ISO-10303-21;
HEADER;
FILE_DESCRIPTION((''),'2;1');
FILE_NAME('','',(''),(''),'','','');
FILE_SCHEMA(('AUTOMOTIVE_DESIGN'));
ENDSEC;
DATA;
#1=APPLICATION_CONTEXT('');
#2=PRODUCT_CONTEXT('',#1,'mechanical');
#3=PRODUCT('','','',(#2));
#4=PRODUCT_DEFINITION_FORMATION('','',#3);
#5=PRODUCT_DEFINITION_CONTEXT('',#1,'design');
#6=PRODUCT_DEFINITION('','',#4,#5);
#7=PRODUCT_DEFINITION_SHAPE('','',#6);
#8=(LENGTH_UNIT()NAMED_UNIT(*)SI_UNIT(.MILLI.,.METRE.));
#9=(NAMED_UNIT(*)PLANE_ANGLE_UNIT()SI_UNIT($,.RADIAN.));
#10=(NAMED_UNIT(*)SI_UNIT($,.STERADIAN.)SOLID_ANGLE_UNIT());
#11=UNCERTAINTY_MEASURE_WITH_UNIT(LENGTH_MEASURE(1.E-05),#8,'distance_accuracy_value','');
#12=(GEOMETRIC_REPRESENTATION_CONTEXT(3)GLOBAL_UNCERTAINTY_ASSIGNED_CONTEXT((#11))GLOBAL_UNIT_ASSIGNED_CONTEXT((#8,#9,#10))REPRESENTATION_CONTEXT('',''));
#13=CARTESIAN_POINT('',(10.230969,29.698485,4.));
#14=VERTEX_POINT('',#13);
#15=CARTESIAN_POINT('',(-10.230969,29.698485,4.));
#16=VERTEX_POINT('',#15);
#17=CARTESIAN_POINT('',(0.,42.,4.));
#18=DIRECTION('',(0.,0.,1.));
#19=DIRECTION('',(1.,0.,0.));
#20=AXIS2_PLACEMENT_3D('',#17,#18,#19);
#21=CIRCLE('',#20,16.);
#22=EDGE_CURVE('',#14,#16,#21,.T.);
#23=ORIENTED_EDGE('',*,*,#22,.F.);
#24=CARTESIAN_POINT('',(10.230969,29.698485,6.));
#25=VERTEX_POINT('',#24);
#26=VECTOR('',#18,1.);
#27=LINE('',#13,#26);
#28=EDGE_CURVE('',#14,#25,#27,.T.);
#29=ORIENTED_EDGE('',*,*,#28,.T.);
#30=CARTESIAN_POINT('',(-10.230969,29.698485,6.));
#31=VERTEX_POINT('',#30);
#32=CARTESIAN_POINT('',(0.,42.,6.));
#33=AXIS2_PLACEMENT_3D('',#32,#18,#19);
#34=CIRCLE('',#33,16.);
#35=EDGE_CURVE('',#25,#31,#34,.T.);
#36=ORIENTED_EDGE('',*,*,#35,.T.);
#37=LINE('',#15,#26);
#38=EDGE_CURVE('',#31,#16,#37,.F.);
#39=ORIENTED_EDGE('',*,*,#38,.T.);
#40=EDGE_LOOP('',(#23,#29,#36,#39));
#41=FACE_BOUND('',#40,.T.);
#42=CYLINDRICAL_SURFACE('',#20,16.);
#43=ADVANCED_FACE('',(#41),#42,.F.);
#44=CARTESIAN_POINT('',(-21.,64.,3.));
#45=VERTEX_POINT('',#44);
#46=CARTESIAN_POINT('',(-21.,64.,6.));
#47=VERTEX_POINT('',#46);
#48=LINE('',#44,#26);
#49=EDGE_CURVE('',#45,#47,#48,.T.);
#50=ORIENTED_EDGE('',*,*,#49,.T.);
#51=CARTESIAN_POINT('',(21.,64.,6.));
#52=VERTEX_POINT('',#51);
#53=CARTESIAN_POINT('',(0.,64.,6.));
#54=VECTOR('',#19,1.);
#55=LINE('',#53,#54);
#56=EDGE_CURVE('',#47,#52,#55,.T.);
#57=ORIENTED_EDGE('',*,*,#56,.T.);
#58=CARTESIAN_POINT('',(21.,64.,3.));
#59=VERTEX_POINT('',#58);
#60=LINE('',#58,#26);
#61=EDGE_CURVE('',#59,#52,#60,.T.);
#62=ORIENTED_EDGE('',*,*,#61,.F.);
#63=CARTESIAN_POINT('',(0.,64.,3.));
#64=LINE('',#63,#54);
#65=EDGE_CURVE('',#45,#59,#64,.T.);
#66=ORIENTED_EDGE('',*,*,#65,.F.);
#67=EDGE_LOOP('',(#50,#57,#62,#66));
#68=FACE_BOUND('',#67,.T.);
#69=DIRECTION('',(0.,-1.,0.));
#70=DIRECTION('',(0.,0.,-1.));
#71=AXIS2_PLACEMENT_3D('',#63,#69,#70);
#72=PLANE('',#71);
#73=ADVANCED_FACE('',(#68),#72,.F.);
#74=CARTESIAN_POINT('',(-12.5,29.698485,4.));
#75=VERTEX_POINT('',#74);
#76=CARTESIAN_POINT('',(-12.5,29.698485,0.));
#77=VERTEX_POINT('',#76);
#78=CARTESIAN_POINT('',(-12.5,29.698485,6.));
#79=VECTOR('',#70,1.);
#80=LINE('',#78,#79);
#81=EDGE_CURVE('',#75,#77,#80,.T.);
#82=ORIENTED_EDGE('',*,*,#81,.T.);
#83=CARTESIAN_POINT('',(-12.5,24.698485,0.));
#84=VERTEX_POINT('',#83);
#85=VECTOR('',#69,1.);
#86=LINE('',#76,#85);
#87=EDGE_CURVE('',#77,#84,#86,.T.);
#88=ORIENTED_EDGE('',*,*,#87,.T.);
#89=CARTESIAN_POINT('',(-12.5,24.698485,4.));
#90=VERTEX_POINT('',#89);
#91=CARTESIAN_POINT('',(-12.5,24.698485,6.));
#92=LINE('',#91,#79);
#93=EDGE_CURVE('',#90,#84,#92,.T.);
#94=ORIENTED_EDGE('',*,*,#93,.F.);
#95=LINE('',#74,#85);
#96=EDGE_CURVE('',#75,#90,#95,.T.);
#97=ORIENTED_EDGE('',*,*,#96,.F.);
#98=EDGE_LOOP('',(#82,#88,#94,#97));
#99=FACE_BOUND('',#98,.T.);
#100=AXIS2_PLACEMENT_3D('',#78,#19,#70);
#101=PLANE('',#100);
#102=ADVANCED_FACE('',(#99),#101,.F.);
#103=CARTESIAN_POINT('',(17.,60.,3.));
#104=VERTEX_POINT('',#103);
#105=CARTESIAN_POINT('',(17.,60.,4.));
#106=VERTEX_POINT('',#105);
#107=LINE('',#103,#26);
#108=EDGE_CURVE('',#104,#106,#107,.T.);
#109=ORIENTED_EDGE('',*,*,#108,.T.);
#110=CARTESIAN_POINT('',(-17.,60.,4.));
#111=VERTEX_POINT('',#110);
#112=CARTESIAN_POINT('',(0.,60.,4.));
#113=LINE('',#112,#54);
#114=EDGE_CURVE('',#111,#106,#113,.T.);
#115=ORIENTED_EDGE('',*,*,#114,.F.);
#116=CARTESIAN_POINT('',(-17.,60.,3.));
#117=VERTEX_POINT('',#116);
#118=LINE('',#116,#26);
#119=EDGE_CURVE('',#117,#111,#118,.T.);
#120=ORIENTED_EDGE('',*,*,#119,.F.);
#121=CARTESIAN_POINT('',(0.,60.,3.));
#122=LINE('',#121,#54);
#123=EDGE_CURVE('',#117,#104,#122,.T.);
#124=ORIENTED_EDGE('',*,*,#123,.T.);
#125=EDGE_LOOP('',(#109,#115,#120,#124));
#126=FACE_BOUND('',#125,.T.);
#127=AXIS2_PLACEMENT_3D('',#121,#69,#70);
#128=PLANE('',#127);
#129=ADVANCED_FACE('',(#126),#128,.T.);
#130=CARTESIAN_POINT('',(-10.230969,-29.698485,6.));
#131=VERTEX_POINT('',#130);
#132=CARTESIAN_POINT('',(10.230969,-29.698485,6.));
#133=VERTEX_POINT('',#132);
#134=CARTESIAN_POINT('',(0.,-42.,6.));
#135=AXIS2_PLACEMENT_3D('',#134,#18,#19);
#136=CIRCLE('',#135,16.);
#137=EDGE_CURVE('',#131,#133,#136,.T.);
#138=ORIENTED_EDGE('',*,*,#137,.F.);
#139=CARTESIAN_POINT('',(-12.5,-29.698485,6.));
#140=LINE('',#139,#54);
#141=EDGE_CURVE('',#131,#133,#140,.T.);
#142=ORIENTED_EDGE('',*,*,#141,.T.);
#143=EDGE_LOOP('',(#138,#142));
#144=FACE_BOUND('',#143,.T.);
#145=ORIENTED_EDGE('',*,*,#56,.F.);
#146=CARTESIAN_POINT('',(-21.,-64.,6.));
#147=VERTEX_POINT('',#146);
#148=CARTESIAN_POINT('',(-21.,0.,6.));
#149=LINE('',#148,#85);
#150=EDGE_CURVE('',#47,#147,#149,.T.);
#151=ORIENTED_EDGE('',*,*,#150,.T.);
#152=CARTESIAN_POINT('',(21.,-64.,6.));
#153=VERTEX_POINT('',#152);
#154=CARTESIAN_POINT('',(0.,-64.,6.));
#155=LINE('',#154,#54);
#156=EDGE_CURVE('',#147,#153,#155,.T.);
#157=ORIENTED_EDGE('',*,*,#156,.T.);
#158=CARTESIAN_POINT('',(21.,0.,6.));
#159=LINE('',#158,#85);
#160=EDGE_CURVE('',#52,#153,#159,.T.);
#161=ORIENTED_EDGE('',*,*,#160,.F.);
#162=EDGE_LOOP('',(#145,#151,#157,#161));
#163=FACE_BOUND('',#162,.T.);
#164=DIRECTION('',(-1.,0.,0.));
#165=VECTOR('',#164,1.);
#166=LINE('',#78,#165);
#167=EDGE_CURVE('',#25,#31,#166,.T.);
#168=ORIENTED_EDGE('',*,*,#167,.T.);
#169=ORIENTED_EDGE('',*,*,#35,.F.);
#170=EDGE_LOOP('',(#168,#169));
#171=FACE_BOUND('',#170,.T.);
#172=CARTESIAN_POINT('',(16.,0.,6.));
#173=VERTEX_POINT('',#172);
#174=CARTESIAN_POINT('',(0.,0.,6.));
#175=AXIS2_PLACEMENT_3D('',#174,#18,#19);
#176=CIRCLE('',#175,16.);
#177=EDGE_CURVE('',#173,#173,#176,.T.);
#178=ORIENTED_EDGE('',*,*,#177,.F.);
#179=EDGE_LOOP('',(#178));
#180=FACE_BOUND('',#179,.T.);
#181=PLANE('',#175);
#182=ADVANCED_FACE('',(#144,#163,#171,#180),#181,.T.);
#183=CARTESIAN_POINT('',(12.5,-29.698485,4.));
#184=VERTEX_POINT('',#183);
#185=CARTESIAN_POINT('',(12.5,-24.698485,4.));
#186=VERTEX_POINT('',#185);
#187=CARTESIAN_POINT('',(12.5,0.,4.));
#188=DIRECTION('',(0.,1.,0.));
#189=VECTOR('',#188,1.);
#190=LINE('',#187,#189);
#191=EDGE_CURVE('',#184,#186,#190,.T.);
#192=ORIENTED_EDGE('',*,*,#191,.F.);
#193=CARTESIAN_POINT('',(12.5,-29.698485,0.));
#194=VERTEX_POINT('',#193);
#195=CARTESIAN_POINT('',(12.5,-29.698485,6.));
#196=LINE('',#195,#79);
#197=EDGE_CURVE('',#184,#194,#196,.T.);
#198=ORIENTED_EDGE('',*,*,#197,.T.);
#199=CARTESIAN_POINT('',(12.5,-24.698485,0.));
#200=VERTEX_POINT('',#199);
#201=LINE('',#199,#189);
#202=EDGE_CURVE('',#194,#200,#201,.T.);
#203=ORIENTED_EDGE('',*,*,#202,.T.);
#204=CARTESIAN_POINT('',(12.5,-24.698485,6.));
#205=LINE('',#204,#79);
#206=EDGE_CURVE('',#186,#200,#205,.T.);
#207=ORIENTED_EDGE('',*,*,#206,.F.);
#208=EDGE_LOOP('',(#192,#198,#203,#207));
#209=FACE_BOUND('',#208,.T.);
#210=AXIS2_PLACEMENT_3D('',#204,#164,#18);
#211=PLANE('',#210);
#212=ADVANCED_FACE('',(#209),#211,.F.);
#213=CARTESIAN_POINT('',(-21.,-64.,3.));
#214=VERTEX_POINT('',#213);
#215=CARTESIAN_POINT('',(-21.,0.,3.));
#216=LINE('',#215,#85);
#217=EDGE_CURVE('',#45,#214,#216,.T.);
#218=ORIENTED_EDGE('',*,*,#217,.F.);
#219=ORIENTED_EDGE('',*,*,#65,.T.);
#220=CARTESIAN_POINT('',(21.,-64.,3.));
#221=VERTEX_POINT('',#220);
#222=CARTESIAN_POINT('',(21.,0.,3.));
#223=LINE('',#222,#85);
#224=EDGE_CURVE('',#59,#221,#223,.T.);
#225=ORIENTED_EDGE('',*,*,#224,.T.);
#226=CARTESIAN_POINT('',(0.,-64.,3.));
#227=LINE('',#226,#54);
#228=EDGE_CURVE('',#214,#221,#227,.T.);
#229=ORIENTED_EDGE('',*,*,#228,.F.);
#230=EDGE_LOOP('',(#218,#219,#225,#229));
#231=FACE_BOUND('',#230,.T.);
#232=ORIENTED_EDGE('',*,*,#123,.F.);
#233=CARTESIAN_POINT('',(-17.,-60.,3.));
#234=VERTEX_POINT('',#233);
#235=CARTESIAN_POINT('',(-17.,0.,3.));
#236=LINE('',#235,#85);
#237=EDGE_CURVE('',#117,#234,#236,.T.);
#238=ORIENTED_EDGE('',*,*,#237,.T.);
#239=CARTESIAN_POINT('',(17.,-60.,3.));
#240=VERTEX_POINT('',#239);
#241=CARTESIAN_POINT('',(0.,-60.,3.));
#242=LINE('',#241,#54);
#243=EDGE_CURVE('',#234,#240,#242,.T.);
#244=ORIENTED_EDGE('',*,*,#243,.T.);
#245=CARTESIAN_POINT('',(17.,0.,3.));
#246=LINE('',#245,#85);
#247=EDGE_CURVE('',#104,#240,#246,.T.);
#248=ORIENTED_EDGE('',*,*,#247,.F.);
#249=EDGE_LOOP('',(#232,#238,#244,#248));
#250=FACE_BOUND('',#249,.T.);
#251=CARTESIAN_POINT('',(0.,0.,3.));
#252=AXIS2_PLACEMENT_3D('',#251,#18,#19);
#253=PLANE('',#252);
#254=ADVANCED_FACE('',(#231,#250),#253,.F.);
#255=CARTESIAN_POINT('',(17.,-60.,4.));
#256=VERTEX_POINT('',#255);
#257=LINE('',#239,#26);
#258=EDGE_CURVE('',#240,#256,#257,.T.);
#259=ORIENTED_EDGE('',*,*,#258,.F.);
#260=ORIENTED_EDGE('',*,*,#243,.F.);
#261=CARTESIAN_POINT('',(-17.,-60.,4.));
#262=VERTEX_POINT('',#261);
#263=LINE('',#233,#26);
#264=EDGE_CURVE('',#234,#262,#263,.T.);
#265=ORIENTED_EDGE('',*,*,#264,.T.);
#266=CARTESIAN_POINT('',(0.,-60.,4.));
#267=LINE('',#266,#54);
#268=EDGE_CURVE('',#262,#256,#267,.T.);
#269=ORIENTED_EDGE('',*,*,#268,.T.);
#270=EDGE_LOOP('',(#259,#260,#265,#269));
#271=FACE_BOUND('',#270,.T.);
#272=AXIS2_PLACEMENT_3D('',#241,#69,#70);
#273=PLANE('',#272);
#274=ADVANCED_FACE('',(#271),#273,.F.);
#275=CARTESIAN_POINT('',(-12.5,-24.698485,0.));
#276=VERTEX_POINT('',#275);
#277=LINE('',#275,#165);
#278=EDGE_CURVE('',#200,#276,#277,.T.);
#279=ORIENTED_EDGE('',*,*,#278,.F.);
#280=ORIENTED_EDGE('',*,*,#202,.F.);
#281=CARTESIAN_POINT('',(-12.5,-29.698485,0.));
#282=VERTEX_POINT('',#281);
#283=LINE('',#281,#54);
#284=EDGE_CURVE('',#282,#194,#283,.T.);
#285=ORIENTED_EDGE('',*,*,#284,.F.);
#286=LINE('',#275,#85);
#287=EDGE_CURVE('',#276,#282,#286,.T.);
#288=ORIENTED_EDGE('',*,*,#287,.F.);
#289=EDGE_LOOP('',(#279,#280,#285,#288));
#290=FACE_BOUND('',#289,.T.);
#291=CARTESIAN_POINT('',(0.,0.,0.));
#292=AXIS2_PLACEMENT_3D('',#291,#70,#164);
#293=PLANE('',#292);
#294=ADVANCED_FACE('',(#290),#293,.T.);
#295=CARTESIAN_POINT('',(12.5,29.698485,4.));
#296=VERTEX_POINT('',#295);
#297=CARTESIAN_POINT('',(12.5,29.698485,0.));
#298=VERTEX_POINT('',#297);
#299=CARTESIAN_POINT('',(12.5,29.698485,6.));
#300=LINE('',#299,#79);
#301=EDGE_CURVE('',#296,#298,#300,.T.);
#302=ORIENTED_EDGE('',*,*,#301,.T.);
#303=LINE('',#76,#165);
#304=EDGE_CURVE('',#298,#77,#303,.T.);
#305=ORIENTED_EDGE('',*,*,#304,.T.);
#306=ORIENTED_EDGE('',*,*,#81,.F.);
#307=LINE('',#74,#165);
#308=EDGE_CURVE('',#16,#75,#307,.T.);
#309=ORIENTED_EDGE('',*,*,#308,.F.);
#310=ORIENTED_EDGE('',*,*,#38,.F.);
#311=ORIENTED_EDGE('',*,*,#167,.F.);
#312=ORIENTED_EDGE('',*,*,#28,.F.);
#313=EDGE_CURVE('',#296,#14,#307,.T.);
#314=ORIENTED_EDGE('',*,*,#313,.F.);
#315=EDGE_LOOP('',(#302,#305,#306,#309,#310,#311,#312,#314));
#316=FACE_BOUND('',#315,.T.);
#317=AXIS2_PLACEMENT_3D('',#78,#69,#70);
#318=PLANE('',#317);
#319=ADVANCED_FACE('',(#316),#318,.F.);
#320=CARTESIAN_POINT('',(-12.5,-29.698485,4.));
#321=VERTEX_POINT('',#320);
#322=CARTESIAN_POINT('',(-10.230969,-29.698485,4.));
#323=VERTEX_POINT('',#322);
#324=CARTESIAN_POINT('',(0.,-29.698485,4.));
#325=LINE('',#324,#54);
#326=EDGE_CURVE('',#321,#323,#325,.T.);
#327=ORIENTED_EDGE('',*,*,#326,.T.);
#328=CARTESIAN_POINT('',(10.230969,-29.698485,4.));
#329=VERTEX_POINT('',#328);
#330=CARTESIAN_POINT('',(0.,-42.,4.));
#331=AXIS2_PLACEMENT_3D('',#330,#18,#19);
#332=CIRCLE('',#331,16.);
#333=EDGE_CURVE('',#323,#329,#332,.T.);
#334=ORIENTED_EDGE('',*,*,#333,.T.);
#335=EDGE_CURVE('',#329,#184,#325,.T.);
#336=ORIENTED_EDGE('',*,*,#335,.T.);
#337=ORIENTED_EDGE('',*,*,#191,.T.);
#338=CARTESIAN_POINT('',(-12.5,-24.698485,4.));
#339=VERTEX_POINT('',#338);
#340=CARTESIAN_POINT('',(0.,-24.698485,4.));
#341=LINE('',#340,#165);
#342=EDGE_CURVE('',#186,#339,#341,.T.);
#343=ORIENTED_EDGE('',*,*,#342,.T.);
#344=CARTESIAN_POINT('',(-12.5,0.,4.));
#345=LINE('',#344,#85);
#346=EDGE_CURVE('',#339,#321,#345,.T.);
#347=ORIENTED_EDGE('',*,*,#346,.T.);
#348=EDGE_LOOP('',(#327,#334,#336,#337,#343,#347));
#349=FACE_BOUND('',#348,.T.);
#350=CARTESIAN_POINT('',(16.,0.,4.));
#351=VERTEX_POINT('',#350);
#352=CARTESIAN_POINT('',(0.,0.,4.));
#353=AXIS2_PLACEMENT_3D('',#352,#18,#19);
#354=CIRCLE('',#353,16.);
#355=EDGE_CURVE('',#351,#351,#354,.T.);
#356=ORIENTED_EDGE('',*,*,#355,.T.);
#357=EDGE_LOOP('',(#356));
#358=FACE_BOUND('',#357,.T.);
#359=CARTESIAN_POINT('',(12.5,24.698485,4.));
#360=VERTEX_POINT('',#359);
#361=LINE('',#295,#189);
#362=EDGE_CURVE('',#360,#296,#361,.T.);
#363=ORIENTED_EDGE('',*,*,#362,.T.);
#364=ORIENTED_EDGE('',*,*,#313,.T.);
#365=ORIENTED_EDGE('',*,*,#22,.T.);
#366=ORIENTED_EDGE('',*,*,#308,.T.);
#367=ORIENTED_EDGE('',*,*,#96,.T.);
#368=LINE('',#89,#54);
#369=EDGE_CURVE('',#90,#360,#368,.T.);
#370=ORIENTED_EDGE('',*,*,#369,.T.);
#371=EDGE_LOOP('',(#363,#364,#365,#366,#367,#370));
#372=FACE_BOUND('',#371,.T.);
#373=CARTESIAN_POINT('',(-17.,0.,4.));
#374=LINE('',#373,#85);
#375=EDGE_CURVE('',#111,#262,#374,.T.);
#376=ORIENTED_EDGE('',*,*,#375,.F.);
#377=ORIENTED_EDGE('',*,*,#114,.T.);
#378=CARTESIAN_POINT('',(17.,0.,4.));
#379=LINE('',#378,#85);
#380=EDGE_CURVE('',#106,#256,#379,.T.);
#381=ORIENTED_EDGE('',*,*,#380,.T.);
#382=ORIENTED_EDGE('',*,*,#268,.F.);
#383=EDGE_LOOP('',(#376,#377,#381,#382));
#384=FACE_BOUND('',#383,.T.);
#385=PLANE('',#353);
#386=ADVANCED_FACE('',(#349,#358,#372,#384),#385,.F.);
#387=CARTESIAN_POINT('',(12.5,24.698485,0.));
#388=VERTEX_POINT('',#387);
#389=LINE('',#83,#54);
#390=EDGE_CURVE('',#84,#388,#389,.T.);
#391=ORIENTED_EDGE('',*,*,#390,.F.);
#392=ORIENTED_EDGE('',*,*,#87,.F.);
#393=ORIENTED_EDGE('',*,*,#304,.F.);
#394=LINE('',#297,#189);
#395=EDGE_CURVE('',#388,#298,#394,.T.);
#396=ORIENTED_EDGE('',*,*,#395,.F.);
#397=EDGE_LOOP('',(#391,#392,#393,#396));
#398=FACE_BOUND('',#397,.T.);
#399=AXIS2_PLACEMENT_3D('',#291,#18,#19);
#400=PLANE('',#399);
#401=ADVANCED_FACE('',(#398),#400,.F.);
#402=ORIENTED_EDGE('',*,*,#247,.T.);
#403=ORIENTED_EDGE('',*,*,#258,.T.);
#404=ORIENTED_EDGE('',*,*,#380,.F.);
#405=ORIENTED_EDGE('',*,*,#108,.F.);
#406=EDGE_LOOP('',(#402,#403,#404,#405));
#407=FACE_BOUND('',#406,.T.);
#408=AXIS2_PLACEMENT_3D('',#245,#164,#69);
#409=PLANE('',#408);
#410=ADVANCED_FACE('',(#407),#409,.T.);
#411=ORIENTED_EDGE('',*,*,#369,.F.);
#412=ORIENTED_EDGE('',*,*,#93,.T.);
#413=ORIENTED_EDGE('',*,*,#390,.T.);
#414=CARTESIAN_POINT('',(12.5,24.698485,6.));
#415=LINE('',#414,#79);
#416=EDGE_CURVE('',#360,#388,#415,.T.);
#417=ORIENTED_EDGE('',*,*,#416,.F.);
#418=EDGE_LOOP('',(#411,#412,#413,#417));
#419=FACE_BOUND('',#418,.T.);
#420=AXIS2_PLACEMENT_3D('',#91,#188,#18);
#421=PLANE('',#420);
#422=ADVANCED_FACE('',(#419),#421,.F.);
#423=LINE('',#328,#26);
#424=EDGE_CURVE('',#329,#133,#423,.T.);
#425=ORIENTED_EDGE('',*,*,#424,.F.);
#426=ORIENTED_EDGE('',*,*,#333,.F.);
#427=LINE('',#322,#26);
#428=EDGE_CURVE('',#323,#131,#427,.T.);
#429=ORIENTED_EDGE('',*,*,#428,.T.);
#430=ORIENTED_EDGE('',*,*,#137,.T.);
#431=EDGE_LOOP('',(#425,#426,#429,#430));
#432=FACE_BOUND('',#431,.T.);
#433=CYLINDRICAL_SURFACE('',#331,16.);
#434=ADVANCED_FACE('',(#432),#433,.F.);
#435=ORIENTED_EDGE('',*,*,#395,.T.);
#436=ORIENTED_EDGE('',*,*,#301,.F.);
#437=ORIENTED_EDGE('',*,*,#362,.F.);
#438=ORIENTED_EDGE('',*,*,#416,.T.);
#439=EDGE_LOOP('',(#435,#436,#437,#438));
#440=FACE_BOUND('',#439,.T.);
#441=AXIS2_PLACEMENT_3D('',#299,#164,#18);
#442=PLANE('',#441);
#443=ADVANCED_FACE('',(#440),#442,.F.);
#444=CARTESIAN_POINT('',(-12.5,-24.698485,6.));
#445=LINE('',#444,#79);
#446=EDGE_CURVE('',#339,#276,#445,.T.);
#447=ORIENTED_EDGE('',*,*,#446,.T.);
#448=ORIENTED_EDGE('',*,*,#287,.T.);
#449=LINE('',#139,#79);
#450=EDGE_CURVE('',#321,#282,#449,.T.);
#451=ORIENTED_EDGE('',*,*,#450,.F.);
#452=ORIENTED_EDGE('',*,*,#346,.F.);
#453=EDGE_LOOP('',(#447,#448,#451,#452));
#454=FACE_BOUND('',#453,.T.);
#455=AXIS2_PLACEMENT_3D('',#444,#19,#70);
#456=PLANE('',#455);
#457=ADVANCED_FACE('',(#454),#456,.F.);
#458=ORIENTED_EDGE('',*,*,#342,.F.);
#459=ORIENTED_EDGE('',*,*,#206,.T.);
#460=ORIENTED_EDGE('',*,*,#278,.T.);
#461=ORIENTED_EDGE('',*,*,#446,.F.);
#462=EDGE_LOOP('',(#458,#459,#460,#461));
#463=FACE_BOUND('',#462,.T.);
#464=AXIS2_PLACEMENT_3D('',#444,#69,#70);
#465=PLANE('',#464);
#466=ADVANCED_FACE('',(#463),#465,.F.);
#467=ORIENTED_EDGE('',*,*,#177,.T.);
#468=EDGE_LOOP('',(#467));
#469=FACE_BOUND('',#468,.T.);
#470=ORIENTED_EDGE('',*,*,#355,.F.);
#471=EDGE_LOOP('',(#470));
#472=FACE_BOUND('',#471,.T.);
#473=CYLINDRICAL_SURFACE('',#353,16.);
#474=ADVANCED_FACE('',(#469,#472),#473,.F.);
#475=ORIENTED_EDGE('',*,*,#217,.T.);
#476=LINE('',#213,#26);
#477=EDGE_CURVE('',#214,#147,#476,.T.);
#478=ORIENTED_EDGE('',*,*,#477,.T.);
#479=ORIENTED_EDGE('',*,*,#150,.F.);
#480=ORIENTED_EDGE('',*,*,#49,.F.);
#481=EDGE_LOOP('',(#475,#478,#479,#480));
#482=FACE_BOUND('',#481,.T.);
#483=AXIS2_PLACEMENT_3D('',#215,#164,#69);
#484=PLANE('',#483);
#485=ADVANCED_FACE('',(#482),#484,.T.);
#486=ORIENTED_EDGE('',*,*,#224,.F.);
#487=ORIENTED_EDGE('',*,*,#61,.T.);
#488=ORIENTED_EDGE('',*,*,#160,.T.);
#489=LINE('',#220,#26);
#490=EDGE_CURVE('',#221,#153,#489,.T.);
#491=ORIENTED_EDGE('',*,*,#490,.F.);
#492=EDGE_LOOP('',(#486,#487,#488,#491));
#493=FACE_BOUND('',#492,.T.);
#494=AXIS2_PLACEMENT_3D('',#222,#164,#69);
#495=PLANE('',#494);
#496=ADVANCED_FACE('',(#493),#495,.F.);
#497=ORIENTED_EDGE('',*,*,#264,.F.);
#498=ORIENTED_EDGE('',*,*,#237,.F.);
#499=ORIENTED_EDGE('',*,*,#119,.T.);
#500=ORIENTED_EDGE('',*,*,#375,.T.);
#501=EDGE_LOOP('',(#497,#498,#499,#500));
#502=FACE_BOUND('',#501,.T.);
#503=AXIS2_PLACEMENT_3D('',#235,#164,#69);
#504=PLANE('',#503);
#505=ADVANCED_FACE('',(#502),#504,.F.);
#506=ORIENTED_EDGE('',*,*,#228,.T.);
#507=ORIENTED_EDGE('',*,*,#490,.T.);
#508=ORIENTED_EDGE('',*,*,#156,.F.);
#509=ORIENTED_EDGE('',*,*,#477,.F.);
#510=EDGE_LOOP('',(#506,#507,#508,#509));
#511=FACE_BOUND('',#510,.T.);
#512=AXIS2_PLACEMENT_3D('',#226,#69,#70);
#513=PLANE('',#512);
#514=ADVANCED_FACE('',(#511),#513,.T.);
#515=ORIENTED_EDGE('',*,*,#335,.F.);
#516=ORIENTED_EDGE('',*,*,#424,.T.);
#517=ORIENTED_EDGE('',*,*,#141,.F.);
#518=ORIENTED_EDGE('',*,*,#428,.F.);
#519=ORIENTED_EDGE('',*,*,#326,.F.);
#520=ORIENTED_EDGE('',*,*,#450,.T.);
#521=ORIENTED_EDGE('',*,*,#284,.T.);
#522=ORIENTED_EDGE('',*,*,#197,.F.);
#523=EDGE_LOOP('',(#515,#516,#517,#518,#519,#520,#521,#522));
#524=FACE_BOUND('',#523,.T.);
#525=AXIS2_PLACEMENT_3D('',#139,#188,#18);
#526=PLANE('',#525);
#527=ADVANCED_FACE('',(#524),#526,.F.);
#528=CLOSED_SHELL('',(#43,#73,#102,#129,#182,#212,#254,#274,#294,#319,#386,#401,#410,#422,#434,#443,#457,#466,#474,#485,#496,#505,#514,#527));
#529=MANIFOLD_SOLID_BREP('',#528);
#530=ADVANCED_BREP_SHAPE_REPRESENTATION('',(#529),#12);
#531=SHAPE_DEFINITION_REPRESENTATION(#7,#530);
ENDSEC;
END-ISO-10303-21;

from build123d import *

# Parameters (mm, degrees)
SKETCH1_W             = 25
SKETCH1_H             = 5
BOSS_EXTRUDE1_DEPTH   = 6
BOSS_EXTRUDE1_2_DEPTH = 6
SKETCH2_W             = 42
SKETCH2_H             = 128
SKETCH2_W_2           = 34
SKETCH2_H_2           = 120
BOSS_EXTRUDE2_DEPTH   = 3
SKETCH2_3_W           = 34
SKETCH2_3_H           = 120
SKETCH2_3_R           = 16
BOSS_EXTRUDE3_DEPTH   = 2


with BuildPart() as part:
    # Sketch1 → Boss-Extrude1 (new body)
    with BuildSketch(Plane.XY):
        with Locations((0, -27.19848481)):
            Rectangle(SKETCH1_W, SKETCH1_H)
    extrude(amount=BOSS_EXTRUDE1_DEPTH)



with BuildPart() as body_2:
    # Sketch1 → Boss-Extrude1 2 (new body)
    with BuildSketch(Plane.XY):
        with Locations((0, 27.19848481)):
            Rectangle(SKETCH1_W, SKETCH1_H)
    extrude(amount=BOSS_EXTRUDE1_2_DEPTH)


with BuildPart() as body_3:
    # Sketch2 → Boss-Extrude2 (new body)
    with BuildSketch(Plane.XY.offset(6)):
        Rectangle(SKETCH2_W, SKETCH2_H)
        Rectangle(SKETCH2_W_2, SKETCH2_H_2, mode=Mode.SUBTRACT)
    extrude(amount=-BOSS_EXTRUDE2_DEPTH)


with BuildPart() as part_1:
    add(part.part)

    add(body_2.part)  # Boss-Extrude3 merges body 2

    add(body_3.part)  # Boss-Extrude3 merges body 3
    # Sketch2<3> → Boss-Extrude3 (add)
    with BuildSketch(Plane.XY.offset(6)):
        Rectangle(SKETCH2_3_W, SKETCH2_3_H)
        with BuildLine():
            ThreePointArc((10.23096887, -29.69848481), (14.486122703, -35.206455341), (16, -42))
            ThreePointArc((16, -42), (-6.793544659, -56.486122703), (-10.23096887, -29.69848481))
            Line((-10.23096887, -29.69848481), (-12.5, -29.69848481))
            Line((-12.5, -29.69848481), (-12.5, -24.69848481))
            Line((-12.5, -24.69848481), (12.5, -24.69848481))
            Line((12.5, -24.69848481), (12.5, -29.69848481))
            Line((12.5, -29.69848481), (10.23096887, -29.69848481))
        make_face(mode=Mode.SUBTRACT)
        with Locations((0, 42)):
            Circle(SKETCH2_3_R, mode=Mode.SUBTRACT)
        Circle(SKETCH2_3_R, mode=Mode.SUBTRACT)
    extrude(amount=-BOSS_EXTRUDE3_DEPTH)


solid = part_1.part
